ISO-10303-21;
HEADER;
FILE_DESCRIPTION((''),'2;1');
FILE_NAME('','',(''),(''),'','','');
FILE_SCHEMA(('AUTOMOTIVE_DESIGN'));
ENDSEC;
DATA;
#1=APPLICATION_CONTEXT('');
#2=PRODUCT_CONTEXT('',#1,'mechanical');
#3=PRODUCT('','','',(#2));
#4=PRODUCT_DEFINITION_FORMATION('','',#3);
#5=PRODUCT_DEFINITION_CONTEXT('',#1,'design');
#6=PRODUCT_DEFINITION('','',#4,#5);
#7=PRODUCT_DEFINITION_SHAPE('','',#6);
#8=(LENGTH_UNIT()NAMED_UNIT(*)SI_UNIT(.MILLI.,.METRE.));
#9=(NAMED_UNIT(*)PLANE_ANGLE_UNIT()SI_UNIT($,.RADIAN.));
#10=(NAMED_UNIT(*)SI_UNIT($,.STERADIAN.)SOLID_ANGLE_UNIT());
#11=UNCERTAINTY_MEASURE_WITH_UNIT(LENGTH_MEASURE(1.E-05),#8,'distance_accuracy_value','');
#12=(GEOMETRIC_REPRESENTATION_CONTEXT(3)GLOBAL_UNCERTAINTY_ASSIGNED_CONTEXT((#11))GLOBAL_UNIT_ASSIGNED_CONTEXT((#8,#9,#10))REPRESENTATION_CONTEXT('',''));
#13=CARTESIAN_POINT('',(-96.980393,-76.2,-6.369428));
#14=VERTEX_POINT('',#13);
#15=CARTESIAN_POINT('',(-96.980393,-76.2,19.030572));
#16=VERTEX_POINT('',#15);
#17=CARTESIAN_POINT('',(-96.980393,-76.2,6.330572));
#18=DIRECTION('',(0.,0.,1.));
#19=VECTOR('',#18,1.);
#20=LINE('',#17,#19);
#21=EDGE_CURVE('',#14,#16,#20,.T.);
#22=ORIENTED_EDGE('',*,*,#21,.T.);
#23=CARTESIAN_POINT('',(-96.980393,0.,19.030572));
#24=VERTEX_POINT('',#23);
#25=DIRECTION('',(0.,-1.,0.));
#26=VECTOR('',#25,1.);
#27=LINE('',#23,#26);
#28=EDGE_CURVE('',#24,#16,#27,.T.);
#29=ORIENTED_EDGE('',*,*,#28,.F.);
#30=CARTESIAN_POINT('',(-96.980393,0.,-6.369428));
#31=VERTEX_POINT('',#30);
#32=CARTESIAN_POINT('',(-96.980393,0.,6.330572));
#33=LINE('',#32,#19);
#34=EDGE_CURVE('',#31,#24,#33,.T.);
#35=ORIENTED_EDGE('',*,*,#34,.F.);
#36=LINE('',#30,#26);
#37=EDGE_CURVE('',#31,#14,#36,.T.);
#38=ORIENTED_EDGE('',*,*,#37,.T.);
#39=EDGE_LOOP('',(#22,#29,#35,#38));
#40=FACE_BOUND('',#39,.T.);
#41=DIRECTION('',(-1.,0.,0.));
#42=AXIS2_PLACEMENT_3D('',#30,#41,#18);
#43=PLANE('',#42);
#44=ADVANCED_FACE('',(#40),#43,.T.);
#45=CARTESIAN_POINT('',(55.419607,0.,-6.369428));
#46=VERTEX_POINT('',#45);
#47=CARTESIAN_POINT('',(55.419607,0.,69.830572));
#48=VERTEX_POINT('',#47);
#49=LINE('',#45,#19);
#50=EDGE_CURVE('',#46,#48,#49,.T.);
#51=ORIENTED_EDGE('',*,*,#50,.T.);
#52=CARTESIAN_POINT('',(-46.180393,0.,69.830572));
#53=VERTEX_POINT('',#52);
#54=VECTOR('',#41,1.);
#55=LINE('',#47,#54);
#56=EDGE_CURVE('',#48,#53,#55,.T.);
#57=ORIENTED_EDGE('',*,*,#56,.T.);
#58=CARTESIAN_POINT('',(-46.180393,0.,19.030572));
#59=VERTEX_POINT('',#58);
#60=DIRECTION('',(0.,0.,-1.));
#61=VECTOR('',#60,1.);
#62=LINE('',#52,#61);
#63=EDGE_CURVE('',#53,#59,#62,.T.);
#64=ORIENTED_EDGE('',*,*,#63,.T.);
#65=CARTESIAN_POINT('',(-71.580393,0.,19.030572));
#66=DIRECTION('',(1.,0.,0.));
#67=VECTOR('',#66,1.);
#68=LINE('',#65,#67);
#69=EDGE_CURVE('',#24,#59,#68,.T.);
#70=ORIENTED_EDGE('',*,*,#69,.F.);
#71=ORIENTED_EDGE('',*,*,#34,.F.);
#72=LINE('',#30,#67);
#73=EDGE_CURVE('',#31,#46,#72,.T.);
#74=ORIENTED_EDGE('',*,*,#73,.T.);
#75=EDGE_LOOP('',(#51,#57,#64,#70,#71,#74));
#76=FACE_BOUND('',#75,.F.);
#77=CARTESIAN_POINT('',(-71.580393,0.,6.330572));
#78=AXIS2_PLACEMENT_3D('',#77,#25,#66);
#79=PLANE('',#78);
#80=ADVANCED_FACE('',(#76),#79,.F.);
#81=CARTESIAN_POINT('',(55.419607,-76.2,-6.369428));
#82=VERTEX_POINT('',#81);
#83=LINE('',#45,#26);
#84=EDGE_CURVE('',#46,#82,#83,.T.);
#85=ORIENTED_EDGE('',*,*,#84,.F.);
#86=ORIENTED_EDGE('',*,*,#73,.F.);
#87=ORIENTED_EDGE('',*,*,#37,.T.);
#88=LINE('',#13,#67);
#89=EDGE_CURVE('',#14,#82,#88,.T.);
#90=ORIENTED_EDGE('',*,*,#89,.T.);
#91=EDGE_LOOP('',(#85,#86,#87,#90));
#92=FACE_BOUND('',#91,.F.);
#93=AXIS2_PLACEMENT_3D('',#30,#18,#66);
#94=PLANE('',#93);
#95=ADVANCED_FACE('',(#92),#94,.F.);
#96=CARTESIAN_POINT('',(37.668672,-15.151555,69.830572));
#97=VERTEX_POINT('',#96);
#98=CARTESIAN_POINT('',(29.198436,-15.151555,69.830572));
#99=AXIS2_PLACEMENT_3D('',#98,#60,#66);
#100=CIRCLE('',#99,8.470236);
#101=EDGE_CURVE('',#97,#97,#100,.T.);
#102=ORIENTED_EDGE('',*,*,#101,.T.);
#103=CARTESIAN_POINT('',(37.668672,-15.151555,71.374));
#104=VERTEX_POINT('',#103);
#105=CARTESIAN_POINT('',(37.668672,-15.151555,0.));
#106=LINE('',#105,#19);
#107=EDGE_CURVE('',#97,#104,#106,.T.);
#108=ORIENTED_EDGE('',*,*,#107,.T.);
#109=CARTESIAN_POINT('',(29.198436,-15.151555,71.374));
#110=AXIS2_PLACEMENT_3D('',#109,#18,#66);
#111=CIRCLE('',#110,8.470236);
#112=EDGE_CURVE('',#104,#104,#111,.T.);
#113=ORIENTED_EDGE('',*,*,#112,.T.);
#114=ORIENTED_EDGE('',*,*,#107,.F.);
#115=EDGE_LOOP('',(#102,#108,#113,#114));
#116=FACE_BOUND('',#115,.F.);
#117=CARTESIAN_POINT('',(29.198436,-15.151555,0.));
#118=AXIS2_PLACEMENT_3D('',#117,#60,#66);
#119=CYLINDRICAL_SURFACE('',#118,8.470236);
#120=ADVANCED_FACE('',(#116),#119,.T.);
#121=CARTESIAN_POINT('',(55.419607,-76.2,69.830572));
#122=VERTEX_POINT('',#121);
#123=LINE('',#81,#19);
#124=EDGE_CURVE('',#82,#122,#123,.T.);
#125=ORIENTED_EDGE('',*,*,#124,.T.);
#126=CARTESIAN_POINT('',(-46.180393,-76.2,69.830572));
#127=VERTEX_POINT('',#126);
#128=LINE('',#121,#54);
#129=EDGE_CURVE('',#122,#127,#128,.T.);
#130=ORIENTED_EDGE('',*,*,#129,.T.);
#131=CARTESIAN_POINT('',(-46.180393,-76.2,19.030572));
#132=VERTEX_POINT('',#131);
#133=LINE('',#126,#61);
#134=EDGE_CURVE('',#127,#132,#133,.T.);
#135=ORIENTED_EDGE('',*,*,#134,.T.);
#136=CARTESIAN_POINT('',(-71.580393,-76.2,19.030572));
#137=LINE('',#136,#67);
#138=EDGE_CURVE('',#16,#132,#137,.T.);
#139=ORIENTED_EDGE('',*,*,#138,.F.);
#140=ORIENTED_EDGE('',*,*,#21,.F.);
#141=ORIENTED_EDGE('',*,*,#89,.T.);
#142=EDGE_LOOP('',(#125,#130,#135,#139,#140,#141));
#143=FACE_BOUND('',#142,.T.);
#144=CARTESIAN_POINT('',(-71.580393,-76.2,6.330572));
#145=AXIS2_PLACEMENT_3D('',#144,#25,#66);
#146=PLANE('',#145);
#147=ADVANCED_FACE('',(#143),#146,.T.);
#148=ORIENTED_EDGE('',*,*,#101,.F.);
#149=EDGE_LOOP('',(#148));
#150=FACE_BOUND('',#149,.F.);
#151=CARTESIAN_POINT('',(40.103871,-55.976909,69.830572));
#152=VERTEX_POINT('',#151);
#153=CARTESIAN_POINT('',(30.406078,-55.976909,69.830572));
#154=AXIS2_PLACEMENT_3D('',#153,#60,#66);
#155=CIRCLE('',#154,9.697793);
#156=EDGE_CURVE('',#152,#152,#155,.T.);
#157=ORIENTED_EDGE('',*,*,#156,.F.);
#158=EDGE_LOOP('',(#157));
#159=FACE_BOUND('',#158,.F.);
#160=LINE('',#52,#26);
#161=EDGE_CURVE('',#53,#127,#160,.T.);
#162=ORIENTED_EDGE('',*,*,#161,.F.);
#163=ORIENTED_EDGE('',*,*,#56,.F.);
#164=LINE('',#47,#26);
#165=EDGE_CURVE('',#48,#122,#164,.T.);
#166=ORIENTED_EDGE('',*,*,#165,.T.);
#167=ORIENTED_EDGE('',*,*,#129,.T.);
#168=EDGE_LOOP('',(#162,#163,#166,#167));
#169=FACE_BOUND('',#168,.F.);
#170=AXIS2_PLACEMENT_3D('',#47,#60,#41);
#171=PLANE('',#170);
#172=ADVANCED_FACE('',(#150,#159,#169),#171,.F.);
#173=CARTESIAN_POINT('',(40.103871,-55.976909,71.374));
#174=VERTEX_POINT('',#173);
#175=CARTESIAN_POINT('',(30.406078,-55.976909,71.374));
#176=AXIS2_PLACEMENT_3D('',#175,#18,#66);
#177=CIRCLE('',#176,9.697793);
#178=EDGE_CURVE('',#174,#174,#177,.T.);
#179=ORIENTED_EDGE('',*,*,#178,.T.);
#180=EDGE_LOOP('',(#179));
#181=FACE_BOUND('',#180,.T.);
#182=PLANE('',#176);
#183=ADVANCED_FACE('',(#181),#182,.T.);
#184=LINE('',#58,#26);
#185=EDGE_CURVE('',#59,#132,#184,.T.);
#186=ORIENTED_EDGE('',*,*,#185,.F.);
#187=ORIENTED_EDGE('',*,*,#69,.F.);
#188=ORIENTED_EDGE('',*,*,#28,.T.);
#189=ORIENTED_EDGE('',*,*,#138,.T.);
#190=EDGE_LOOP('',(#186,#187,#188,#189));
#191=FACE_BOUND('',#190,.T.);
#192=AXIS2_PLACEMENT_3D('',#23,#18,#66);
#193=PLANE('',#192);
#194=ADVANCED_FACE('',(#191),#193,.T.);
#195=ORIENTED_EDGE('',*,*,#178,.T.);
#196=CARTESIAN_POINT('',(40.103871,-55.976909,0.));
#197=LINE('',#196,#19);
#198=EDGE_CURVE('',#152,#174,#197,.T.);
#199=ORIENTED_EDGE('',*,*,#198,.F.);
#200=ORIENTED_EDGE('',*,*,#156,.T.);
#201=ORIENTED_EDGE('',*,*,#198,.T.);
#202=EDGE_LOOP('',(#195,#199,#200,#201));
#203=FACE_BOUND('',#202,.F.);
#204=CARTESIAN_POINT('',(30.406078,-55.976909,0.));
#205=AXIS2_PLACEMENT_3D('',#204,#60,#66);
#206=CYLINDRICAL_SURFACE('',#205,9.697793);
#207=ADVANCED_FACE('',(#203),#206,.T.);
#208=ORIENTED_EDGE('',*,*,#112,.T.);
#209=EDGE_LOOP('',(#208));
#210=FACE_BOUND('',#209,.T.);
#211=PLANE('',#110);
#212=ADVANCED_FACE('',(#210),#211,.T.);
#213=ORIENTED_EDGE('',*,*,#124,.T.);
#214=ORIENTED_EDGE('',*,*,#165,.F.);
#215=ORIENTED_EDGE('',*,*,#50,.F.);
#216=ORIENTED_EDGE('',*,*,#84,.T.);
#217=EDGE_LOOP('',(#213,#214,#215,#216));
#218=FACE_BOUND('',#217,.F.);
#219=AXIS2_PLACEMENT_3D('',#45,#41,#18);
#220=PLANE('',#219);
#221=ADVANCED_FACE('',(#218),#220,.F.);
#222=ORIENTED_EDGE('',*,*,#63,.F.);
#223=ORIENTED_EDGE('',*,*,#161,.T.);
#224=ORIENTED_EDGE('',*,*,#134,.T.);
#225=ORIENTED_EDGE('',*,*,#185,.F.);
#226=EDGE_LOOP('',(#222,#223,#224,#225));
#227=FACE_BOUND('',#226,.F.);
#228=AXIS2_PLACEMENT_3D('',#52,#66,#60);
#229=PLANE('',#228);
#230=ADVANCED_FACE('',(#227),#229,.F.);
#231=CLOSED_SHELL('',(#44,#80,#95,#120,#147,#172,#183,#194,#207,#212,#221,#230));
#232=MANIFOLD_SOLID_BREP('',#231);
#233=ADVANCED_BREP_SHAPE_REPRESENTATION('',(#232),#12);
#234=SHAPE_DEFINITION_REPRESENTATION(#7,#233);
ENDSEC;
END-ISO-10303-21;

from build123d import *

# Parameters (mm, degrees)
F0_W     = 50.8
F0_H     = 25.4
F1_DEPTH = 76.2
F2_R     = 8.470236
F2_R_2   = 9.697793
F3_DEPTH = 71.374


with BuildPart() as f1:
    # F0 (on Front) → F1 (new body)
    with BuildSketch(Plane.XZ):
        with Locations((-71.580393, 6.330572)):
            Rectangle(F0_W, F0_H)
        Polygon((-46.180393, 19.030572), (-46.180393, -6.369428), (55.419607, -6.369428), (55.419607, 69.830572), (-46.180393, 69.830572), align=None)
    extrude(amount=F1_DEPTH)

    # F2 (on Top) → F3 (join)
    with BuildSketch(Plane.XY):
        with Locations((29.198436, -15.151555)):
            Circle(F2_R)
        with Locations((30.406078, -55.976909)):
            Circle(F2_R_2)
    extrude(amount=F3_DEPTH)


solid = f1.part
